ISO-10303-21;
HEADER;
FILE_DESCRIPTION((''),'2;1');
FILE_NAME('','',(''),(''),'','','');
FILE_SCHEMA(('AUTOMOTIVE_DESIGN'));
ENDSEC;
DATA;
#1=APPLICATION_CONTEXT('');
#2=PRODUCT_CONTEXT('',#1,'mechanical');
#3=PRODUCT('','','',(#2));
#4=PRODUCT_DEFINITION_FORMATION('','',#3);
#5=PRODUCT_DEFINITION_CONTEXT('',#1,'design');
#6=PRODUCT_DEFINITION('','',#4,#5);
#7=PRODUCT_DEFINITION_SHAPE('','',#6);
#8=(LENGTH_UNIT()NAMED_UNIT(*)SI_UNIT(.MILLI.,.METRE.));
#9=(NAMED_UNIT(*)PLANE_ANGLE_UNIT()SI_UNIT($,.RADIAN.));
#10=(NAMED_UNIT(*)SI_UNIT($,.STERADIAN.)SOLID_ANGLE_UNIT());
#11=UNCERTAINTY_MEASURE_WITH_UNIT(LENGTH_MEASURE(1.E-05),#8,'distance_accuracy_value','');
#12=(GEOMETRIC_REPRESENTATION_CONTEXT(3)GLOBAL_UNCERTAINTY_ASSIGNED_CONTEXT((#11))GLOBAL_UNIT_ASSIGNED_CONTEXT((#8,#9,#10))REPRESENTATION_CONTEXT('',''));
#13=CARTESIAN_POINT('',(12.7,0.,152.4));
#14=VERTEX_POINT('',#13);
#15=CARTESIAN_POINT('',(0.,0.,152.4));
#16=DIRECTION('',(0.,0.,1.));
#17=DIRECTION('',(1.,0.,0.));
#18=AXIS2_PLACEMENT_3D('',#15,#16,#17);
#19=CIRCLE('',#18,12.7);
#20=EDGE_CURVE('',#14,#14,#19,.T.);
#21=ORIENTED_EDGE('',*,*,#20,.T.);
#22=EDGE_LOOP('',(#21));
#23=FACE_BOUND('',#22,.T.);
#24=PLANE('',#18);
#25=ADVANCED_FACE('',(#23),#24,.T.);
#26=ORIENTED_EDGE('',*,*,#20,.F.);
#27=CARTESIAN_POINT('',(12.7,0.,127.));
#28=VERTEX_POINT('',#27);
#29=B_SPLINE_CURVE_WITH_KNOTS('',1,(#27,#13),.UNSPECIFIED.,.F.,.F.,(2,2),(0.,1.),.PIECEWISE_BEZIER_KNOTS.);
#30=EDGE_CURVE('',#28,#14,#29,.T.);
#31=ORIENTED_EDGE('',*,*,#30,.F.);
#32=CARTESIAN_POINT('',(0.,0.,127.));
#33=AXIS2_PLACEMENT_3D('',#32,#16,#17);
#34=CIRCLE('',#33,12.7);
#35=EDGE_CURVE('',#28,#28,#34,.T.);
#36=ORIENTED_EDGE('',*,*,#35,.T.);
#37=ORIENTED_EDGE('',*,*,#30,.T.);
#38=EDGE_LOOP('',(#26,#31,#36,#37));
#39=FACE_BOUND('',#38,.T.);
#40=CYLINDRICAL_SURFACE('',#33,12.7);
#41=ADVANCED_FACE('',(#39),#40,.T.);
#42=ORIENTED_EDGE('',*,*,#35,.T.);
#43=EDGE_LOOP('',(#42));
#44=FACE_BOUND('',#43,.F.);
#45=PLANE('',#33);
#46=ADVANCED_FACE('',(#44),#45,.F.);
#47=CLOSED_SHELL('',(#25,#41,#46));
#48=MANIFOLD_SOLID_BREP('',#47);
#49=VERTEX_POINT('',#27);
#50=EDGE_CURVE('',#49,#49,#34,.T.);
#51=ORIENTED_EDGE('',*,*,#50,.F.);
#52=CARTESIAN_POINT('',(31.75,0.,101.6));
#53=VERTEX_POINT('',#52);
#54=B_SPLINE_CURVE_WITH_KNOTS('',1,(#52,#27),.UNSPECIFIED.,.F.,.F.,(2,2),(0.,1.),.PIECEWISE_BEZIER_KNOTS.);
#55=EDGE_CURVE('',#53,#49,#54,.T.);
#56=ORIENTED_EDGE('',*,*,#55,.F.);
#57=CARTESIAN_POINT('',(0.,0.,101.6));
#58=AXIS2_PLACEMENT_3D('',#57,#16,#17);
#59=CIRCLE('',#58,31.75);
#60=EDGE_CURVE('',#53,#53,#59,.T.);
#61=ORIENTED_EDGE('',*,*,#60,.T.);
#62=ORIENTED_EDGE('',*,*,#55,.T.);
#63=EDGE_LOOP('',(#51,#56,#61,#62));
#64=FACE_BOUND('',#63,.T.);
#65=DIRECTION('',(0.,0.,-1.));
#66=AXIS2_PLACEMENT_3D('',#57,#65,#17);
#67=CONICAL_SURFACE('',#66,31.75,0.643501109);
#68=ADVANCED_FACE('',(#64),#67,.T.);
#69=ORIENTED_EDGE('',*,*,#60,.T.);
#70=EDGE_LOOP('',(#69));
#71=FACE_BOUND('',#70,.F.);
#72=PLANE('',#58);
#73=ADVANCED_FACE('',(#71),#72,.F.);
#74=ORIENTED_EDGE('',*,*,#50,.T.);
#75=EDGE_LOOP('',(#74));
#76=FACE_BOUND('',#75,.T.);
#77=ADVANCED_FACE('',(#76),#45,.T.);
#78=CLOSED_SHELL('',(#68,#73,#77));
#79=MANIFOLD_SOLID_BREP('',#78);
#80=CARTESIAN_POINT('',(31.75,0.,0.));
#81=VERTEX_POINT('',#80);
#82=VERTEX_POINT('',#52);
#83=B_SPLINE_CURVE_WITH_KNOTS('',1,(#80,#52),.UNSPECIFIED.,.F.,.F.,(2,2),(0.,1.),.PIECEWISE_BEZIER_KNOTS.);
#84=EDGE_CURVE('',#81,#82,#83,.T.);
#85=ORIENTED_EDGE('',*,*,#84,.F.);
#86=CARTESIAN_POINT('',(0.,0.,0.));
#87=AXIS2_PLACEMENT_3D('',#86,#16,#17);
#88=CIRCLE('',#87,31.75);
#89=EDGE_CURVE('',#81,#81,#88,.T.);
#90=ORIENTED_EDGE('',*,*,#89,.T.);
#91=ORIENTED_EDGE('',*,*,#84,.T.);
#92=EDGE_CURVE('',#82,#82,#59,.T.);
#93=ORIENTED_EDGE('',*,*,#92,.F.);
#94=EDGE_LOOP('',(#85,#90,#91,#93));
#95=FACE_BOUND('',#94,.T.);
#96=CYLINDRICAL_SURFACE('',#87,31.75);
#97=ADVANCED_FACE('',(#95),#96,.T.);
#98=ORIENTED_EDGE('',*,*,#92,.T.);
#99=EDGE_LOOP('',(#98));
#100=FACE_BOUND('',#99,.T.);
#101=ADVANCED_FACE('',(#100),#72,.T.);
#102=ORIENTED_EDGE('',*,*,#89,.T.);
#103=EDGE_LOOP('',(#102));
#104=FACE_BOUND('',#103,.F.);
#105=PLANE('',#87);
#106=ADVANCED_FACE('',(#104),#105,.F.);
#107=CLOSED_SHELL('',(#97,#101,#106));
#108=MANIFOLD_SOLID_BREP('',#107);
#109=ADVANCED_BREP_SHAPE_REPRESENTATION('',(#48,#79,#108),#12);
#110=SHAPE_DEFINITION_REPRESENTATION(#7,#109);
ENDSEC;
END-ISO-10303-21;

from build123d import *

# Parameters (mm, degrees)
F4_R = 12.7
F6_R = 12.7
F0_R = 31.75
F2_R = 31.75


with BuildPart() as f7:
    # F4 (on offset) → F7 section 0
    with BuildSketch(Plane.XY.offset(127)):
        Circle(F4_R)
    # F6 (on offset) → F7 section 1
    with BuildSketch(Plane.XY.offset(152.4)):
        Circle(F6_R)
    loft()


with BuildPart() as f8:
    # F0 (on Top) → F8 section 0
    with BuildSketch(Plane.XY):
        Circle(F0_R)
    # F2 (on offset) → F8 section 1
    with BuildSketch(Plane.XY.offset(101.6)):
        Circle(F2_R)
    loft()


with BuildPart() as f9:
    # F2 (on offset) → F9 section 0
    with BuildSketch(Plane.XY.offset(101.6)):
        Circle(F2_R)
    # F4 (on offset) → F9 section 1
    with BuildSketch(Plane.XY.offset(127)):
        Circle(F4_R)
    loft()


solid = Compound([f7.part, f8.part, f9.part])
